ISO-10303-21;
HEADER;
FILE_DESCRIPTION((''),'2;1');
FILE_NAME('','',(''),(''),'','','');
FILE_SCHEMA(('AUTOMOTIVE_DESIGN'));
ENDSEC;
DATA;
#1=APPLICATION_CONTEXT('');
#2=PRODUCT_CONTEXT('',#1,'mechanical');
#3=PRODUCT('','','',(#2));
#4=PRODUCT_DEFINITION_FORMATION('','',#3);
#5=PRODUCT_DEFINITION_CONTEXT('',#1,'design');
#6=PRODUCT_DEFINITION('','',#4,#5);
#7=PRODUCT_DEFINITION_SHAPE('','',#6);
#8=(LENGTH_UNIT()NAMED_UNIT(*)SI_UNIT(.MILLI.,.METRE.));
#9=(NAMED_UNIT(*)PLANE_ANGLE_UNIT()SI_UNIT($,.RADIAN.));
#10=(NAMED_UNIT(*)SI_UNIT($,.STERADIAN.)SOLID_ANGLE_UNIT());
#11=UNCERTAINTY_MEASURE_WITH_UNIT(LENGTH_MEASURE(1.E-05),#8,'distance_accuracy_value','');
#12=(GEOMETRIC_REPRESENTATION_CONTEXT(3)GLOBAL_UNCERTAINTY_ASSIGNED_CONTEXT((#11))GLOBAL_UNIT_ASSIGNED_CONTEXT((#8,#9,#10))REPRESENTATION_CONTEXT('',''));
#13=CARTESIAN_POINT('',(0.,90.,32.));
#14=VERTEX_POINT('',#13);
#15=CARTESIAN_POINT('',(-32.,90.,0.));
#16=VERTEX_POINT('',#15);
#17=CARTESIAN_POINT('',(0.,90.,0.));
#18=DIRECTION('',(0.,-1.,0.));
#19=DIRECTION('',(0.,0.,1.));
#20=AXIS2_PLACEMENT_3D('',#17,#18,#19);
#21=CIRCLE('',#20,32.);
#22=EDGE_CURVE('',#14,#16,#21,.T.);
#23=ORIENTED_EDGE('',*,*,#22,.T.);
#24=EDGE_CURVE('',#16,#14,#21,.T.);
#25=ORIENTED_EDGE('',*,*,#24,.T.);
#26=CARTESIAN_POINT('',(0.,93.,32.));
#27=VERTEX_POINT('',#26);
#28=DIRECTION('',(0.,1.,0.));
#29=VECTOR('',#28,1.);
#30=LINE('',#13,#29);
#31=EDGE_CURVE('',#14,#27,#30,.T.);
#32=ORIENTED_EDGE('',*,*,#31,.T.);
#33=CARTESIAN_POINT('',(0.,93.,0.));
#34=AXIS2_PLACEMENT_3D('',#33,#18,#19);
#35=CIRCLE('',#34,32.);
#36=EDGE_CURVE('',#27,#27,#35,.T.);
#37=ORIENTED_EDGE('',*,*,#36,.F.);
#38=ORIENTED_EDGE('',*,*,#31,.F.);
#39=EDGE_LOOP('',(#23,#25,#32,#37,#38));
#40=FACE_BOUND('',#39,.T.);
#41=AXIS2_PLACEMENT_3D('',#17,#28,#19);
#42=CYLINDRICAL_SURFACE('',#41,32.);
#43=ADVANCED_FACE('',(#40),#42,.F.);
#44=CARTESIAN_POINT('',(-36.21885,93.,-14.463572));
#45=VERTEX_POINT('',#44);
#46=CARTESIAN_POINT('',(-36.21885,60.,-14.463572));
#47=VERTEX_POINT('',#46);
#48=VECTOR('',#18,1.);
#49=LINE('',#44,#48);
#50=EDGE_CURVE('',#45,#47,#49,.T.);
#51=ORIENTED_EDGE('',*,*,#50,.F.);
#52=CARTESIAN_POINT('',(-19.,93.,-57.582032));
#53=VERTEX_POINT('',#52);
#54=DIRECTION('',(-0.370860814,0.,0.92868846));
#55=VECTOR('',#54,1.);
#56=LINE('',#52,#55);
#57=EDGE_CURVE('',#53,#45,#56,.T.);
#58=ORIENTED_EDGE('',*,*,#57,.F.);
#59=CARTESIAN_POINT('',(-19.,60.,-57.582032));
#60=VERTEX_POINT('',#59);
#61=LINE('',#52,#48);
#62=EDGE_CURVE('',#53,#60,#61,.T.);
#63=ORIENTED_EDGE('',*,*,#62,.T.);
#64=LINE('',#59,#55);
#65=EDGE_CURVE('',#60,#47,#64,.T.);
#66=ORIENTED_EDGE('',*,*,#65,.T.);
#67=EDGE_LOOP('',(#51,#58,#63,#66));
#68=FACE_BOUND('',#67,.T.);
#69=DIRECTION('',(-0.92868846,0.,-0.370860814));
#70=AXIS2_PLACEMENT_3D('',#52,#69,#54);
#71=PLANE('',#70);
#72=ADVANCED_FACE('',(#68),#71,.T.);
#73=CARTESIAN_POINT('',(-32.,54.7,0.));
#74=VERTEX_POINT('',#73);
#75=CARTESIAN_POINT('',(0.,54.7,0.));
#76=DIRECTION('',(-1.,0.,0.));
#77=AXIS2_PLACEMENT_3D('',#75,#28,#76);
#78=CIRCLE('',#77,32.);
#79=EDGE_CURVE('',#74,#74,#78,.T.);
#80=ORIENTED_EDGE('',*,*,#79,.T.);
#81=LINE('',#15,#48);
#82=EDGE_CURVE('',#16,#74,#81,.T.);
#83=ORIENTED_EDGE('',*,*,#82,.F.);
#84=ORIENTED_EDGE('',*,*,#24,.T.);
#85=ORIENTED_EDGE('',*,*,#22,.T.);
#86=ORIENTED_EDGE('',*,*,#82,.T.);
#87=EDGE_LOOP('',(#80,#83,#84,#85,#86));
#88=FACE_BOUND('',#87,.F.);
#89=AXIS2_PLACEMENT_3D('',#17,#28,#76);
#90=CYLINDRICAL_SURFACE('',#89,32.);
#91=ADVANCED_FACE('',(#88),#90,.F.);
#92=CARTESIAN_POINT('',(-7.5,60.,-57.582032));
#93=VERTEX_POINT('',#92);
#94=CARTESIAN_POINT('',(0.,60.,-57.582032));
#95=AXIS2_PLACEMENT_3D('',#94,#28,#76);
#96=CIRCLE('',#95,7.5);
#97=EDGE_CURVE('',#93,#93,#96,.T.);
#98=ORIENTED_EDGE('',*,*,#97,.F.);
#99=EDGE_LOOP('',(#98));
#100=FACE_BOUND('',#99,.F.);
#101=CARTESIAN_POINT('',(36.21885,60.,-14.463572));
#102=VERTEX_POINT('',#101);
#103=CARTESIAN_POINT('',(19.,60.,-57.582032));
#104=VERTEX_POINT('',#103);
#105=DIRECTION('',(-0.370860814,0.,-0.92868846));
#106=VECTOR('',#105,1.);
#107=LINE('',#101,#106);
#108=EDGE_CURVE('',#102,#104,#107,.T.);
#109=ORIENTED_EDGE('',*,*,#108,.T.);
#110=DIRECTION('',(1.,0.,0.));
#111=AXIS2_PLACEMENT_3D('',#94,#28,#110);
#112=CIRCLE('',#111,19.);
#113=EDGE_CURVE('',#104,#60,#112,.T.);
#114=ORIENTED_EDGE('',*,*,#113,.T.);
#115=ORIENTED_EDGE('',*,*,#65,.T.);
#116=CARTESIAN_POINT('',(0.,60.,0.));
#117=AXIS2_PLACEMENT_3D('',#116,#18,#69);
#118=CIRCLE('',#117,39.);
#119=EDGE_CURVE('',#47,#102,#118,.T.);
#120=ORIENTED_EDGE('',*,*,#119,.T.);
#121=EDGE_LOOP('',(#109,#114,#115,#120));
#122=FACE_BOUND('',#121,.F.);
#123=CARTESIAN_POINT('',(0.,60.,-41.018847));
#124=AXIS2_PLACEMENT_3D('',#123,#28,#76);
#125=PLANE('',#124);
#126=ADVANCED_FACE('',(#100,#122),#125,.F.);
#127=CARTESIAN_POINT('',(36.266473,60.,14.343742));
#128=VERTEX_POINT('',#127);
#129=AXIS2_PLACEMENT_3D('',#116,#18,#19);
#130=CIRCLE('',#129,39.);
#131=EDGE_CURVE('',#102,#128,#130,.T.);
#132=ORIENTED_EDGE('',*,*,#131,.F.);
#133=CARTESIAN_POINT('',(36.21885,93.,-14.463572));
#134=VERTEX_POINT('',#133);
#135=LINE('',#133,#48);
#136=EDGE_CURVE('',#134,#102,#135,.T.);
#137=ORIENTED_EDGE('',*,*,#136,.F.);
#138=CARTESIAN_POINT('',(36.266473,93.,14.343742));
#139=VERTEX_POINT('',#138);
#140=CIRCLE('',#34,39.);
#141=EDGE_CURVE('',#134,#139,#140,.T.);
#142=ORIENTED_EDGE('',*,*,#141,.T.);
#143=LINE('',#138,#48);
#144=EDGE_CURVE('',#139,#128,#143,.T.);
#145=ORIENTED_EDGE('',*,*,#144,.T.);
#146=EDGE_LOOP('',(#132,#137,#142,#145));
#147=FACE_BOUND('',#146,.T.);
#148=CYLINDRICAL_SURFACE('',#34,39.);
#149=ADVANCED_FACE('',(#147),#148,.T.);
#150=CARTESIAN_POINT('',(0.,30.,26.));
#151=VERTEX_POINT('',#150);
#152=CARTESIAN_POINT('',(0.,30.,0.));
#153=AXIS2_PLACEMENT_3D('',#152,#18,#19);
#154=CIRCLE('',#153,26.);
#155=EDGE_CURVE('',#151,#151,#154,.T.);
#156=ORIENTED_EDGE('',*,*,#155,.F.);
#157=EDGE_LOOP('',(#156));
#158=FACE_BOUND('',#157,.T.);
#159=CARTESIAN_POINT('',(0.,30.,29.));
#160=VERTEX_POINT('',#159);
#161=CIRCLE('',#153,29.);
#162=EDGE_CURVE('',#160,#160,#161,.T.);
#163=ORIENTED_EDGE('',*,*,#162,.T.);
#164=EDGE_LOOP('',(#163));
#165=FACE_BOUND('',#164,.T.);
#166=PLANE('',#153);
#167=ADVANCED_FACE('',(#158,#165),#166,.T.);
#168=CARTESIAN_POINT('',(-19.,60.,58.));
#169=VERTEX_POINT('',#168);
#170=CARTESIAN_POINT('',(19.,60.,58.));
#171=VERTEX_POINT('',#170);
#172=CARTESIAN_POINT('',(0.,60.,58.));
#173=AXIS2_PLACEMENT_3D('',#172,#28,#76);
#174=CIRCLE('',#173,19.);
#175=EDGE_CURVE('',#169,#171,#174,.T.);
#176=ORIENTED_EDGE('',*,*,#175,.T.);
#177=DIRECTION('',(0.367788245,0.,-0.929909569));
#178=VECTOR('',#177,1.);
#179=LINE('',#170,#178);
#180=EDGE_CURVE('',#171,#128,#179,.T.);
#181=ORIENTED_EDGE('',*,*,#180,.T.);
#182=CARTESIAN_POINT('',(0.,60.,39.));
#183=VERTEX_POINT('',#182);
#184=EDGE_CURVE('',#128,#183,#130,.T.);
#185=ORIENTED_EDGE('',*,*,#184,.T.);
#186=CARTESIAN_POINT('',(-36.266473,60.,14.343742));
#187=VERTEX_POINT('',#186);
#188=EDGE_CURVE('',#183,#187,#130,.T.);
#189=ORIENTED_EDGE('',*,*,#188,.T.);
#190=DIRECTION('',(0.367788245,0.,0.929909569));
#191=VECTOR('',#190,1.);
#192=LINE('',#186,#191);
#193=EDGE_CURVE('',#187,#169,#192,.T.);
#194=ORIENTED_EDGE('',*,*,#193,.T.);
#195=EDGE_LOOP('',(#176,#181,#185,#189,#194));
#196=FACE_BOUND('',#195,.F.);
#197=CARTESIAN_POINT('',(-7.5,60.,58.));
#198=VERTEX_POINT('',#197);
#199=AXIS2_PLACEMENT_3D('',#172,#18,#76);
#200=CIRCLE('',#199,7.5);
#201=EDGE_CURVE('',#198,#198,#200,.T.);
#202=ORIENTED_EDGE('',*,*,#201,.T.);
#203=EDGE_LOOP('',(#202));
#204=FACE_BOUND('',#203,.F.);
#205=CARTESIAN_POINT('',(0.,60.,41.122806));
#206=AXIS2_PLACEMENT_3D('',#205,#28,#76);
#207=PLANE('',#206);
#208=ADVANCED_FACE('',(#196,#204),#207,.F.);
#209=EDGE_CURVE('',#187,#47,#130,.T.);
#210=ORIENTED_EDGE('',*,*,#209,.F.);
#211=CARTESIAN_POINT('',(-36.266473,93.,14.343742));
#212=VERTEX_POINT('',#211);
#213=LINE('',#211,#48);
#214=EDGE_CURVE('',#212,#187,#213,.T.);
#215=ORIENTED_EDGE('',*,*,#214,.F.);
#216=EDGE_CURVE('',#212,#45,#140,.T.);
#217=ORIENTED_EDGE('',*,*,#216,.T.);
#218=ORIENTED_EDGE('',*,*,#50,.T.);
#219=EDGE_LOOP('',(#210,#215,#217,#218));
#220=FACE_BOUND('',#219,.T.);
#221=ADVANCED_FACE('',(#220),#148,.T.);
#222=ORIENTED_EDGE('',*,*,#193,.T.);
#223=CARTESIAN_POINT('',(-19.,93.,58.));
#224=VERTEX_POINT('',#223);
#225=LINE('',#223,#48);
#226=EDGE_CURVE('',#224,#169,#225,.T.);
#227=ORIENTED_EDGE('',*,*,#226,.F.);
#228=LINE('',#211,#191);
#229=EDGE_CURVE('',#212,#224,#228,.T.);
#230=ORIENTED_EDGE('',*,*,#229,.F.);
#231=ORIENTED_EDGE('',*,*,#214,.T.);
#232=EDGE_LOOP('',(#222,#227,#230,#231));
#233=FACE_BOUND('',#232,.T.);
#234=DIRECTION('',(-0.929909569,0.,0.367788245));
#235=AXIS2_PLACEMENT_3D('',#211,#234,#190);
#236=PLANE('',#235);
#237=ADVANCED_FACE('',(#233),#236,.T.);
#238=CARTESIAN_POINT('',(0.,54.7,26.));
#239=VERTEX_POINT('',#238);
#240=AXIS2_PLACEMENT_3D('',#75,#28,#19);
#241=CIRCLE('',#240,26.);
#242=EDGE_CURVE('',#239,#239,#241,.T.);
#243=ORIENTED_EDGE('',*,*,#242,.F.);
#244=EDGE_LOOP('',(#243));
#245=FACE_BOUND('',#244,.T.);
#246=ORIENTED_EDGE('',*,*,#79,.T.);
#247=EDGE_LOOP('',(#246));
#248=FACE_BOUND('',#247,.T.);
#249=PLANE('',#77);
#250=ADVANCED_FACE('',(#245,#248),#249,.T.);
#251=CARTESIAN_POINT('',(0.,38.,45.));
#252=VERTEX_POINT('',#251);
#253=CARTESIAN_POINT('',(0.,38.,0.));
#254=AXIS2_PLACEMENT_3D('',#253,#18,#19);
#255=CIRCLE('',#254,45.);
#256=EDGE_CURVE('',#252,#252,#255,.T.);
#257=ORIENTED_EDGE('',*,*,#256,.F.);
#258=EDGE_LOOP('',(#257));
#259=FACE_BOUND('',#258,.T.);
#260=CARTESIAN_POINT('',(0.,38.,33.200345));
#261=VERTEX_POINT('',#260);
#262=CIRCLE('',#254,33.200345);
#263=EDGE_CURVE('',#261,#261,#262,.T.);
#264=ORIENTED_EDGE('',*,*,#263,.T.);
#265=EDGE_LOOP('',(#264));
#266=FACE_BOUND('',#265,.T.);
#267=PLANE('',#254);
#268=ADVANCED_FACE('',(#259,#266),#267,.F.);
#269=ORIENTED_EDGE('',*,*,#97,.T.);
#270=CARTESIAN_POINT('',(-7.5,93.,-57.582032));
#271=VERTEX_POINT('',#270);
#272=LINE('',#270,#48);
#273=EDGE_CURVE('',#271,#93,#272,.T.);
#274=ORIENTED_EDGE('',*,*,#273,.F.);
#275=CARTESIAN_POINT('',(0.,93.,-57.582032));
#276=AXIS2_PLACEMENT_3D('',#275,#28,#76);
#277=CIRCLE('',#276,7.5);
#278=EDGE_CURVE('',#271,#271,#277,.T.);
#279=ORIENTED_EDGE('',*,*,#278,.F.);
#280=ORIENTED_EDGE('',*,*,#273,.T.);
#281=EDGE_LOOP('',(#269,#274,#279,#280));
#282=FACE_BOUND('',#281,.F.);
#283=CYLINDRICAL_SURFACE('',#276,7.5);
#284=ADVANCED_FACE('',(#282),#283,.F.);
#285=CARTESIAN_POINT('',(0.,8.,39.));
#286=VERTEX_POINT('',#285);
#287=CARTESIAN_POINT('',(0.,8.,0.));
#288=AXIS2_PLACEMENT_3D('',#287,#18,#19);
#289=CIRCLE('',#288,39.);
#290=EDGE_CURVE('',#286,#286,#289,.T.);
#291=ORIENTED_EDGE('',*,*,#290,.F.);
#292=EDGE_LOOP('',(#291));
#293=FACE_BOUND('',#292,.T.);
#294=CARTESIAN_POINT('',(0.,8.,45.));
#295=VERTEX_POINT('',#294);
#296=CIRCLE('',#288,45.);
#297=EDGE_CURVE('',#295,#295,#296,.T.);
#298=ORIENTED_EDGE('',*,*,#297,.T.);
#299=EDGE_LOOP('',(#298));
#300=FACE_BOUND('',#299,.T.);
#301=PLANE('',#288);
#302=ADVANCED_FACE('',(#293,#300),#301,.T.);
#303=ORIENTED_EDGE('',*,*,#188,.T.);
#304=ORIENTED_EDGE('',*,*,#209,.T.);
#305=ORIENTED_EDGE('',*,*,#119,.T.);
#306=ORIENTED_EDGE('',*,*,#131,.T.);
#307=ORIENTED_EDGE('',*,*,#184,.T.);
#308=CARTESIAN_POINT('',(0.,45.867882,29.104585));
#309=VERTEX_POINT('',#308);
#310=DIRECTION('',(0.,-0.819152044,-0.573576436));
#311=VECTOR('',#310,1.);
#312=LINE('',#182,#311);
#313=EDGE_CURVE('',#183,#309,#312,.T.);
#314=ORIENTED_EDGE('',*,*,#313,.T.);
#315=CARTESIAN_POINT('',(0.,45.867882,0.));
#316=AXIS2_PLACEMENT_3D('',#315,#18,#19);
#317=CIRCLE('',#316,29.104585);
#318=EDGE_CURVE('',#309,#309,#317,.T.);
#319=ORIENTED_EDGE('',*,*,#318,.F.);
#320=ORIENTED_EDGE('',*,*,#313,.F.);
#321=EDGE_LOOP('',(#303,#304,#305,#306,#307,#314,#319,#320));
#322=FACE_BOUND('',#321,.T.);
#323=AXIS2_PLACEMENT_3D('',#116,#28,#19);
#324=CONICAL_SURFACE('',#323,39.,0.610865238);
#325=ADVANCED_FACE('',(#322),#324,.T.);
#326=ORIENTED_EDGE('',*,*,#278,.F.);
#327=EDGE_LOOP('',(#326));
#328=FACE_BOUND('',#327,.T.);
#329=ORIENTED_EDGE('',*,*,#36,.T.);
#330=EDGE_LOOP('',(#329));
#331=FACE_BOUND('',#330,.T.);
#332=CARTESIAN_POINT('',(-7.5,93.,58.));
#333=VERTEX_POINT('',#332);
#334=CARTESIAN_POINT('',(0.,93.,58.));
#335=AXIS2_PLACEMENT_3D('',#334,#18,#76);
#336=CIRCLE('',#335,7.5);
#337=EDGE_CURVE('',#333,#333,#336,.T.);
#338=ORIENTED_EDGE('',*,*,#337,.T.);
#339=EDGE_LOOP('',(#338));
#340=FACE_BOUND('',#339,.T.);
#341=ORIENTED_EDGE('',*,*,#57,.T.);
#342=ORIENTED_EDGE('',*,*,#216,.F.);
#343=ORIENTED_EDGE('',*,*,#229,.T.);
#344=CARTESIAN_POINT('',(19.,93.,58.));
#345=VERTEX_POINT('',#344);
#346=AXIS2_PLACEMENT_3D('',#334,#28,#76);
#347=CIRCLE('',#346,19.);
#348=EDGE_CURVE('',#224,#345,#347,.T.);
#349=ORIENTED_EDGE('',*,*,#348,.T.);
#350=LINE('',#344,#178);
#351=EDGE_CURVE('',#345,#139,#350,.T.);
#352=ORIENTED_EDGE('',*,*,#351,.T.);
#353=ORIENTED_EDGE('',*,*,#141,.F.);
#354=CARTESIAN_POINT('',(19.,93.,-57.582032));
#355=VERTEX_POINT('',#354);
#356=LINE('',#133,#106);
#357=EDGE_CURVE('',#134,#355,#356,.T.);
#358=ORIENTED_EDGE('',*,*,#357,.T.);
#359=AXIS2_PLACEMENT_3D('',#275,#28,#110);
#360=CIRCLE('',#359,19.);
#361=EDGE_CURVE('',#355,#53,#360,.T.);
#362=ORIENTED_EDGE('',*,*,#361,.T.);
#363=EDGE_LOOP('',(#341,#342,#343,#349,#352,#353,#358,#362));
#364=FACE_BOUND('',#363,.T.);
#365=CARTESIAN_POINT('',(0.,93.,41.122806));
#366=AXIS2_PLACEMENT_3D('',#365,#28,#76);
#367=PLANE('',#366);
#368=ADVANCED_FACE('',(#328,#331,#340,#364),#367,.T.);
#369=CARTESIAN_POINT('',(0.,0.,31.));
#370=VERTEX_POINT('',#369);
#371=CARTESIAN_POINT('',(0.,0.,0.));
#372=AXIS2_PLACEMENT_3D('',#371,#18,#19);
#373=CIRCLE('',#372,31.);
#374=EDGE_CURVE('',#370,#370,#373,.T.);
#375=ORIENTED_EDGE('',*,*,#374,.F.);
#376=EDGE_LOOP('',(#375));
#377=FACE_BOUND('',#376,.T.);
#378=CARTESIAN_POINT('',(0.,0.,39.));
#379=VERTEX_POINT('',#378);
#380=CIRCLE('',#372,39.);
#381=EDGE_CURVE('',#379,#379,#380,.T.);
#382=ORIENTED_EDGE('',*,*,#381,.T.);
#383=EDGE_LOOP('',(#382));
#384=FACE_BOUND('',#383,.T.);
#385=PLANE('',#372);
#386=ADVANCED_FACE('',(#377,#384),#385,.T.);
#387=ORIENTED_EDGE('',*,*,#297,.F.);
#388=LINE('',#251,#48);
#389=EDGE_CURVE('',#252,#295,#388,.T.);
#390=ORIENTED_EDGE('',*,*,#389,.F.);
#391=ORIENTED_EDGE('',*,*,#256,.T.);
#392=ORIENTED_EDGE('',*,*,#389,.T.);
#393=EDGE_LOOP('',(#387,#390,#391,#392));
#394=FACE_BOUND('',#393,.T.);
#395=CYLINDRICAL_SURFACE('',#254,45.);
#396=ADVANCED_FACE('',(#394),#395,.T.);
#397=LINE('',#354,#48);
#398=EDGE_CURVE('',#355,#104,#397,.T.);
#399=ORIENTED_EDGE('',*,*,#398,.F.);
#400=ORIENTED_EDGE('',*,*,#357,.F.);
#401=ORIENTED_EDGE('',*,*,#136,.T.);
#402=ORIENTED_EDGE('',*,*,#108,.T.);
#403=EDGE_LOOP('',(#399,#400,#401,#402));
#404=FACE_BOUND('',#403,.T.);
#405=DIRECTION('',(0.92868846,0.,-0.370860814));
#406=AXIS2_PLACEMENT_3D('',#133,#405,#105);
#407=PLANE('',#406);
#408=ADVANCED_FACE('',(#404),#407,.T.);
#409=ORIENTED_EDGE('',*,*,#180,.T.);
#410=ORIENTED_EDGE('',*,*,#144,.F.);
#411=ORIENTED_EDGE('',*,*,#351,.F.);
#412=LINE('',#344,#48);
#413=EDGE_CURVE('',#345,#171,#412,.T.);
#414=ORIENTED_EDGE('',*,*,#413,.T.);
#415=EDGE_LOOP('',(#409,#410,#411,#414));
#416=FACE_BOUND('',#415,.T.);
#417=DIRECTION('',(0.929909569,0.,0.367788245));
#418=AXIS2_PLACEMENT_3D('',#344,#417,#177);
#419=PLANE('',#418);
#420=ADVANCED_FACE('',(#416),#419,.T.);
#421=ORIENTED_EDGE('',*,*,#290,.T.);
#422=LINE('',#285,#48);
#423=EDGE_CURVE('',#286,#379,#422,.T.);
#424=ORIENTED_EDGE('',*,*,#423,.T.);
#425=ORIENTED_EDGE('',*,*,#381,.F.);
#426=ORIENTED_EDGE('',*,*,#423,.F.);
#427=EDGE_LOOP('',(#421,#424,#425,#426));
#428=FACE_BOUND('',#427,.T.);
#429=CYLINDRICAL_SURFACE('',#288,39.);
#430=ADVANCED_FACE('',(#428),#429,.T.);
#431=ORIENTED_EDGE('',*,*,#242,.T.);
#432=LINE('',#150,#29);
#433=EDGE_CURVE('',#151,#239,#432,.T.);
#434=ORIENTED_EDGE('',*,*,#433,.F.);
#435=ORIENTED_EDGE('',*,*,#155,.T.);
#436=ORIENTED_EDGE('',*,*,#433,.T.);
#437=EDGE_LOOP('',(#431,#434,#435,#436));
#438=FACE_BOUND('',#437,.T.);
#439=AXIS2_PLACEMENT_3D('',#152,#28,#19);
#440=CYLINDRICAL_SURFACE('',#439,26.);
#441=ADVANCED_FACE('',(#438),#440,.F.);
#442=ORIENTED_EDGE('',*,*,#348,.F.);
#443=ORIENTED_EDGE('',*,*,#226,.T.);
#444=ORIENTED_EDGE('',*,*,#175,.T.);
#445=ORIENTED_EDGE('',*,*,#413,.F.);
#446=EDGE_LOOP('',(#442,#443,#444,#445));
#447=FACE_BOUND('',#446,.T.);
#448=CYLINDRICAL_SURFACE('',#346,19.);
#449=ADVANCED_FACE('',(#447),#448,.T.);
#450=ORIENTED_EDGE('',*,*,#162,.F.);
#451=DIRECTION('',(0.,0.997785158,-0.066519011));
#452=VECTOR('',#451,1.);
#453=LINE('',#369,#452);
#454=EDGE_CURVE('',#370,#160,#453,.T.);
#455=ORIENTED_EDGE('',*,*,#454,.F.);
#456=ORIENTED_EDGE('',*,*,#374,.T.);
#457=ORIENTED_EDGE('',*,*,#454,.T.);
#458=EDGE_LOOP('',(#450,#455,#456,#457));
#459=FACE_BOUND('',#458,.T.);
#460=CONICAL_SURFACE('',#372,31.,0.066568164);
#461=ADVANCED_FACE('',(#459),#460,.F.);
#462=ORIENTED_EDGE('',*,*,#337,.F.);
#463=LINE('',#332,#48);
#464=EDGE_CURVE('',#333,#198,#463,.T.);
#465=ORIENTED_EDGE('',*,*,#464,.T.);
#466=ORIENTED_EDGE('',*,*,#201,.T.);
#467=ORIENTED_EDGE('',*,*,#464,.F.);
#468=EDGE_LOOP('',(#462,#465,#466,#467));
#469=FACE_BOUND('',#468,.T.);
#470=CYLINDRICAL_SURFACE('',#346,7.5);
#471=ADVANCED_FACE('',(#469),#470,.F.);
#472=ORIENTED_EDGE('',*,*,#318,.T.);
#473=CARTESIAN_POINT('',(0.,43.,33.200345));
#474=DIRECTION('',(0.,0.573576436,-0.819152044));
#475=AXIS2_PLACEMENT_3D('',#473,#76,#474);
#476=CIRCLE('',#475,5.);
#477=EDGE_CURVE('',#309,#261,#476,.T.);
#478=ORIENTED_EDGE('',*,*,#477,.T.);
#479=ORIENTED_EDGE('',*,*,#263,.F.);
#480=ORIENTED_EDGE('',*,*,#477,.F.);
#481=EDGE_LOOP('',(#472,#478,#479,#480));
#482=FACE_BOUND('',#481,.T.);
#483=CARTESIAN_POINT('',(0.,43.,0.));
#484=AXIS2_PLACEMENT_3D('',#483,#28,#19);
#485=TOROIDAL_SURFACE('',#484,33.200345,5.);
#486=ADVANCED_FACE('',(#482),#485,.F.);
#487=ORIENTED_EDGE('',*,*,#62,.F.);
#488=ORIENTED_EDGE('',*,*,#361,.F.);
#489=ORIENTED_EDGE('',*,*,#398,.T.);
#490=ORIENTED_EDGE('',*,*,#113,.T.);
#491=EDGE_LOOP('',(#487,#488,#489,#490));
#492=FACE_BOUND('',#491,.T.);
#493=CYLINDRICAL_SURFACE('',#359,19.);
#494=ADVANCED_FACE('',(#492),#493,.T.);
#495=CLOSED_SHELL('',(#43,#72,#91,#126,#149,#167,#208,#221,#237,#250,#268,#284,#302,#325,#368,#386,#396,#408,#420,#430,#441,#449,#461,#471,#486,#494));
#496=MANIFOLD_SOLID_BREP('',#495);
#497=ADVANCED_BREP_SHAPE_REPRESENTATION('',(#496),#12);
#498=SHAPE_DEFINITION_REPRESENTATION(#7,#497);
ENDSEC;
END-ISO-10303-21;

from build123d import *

# Parameters (mm, degrees)
F2_R     = 7.5
F3_DEPTH = 33
F4_R     = 32
F5_DEPTH = 35.3


with BuildPart() as f1:
    # F0 (on Right) → F1 (revolve)
    with BuildSketch(Plane.YZ):
        with BuildLine():
            Line((0, 39), (0, 31))
            Line((0, 31), (30, 29))
            Line((30, 29), (30, 26))
            Line((30, 26), (72, 26))
            Line((72, 26), (72, 0))
            Line((72, 0), (90, 0))
            Line((90, 0), (90, 32))
            Line((90, 32), (93, 32))
            Line((93, 32), (93, 39))
            Line((93, 39), (60, 39))
            Line((60, 39), (45.8678821818, 29.1045845728))
            ThreePointArc((45.8678821818, 29.1045845728), (40.6912569338, 28.7652906284), (38, 33.2003447942))
            Line((38, 33.2003447942), (38, 45))
            Line((38, 45), (8, 45))
            Line((8, 45), (8, 39))
            Line((8, 39), (0, 39))
        make_face()
    revolve(axis=Axis((0, 81, 0), (0, -1, 0)))

    # F2 (on face) → F3 (join)
    with BuildSketch(Plane(origin=(0, 93, 0), x_dir=(-1, 0, 0), z_dir=(0, 1, 0))):
        with BuildLine():
            Line((36.2664732052, 14.3437415362), (19, 58))
            ThreePointArc((19, 58), (0, 77), (-19, 58))
            Line((-19, 58), (-36.2664732052, 14.3437415362))
            ThreePointArc((-36.2664732052, 14.3437415362), (0, 39), (36.2664732052, 14.3437415362))
        make_face()
        with BuildLine():
            ThreePointArc((0, 65.5), (5.3033008589, 63.3033008589), (7.5, 58))
            ThreePointArc((7.5, 58), (-5.3033008589, 52.6966991411), (0, 65.5))
        make_face(mode=Mode.SUBTRACT)
        with BuildLine():
            ThreePointArc((36.2188499541, -14.463571758), (0, -39), (-36.2188499541, -14.463571758))
            Line((-36.2188499541, -14.463571758), (-19, -57.5820319355))
            ThreePointArc((-19, -57.5820319355), (0, -76.5820319355), (19, -57.5820319355))
            Line((19, -57.5820319355), (36.2188499541, -14.463571758))
        make_face()
        with Locations((0, -57.5820319355)):
            Circle(F2_R, mode=Mode.SUBTRACT)
    extrude(amount=-F3_DEPTH)

    # F4 (on face) → F5 (cut)
    with BuildSketch(Plane(origin=(0, 90, 0), x_dir=(-1, 0, 0), z_dir=(0, 1, 0))):
        Circle(F4_R)
    extrude(amount=-F5_DEPTH, mode=Mode.SUBTRACT)


solid = f1.part
